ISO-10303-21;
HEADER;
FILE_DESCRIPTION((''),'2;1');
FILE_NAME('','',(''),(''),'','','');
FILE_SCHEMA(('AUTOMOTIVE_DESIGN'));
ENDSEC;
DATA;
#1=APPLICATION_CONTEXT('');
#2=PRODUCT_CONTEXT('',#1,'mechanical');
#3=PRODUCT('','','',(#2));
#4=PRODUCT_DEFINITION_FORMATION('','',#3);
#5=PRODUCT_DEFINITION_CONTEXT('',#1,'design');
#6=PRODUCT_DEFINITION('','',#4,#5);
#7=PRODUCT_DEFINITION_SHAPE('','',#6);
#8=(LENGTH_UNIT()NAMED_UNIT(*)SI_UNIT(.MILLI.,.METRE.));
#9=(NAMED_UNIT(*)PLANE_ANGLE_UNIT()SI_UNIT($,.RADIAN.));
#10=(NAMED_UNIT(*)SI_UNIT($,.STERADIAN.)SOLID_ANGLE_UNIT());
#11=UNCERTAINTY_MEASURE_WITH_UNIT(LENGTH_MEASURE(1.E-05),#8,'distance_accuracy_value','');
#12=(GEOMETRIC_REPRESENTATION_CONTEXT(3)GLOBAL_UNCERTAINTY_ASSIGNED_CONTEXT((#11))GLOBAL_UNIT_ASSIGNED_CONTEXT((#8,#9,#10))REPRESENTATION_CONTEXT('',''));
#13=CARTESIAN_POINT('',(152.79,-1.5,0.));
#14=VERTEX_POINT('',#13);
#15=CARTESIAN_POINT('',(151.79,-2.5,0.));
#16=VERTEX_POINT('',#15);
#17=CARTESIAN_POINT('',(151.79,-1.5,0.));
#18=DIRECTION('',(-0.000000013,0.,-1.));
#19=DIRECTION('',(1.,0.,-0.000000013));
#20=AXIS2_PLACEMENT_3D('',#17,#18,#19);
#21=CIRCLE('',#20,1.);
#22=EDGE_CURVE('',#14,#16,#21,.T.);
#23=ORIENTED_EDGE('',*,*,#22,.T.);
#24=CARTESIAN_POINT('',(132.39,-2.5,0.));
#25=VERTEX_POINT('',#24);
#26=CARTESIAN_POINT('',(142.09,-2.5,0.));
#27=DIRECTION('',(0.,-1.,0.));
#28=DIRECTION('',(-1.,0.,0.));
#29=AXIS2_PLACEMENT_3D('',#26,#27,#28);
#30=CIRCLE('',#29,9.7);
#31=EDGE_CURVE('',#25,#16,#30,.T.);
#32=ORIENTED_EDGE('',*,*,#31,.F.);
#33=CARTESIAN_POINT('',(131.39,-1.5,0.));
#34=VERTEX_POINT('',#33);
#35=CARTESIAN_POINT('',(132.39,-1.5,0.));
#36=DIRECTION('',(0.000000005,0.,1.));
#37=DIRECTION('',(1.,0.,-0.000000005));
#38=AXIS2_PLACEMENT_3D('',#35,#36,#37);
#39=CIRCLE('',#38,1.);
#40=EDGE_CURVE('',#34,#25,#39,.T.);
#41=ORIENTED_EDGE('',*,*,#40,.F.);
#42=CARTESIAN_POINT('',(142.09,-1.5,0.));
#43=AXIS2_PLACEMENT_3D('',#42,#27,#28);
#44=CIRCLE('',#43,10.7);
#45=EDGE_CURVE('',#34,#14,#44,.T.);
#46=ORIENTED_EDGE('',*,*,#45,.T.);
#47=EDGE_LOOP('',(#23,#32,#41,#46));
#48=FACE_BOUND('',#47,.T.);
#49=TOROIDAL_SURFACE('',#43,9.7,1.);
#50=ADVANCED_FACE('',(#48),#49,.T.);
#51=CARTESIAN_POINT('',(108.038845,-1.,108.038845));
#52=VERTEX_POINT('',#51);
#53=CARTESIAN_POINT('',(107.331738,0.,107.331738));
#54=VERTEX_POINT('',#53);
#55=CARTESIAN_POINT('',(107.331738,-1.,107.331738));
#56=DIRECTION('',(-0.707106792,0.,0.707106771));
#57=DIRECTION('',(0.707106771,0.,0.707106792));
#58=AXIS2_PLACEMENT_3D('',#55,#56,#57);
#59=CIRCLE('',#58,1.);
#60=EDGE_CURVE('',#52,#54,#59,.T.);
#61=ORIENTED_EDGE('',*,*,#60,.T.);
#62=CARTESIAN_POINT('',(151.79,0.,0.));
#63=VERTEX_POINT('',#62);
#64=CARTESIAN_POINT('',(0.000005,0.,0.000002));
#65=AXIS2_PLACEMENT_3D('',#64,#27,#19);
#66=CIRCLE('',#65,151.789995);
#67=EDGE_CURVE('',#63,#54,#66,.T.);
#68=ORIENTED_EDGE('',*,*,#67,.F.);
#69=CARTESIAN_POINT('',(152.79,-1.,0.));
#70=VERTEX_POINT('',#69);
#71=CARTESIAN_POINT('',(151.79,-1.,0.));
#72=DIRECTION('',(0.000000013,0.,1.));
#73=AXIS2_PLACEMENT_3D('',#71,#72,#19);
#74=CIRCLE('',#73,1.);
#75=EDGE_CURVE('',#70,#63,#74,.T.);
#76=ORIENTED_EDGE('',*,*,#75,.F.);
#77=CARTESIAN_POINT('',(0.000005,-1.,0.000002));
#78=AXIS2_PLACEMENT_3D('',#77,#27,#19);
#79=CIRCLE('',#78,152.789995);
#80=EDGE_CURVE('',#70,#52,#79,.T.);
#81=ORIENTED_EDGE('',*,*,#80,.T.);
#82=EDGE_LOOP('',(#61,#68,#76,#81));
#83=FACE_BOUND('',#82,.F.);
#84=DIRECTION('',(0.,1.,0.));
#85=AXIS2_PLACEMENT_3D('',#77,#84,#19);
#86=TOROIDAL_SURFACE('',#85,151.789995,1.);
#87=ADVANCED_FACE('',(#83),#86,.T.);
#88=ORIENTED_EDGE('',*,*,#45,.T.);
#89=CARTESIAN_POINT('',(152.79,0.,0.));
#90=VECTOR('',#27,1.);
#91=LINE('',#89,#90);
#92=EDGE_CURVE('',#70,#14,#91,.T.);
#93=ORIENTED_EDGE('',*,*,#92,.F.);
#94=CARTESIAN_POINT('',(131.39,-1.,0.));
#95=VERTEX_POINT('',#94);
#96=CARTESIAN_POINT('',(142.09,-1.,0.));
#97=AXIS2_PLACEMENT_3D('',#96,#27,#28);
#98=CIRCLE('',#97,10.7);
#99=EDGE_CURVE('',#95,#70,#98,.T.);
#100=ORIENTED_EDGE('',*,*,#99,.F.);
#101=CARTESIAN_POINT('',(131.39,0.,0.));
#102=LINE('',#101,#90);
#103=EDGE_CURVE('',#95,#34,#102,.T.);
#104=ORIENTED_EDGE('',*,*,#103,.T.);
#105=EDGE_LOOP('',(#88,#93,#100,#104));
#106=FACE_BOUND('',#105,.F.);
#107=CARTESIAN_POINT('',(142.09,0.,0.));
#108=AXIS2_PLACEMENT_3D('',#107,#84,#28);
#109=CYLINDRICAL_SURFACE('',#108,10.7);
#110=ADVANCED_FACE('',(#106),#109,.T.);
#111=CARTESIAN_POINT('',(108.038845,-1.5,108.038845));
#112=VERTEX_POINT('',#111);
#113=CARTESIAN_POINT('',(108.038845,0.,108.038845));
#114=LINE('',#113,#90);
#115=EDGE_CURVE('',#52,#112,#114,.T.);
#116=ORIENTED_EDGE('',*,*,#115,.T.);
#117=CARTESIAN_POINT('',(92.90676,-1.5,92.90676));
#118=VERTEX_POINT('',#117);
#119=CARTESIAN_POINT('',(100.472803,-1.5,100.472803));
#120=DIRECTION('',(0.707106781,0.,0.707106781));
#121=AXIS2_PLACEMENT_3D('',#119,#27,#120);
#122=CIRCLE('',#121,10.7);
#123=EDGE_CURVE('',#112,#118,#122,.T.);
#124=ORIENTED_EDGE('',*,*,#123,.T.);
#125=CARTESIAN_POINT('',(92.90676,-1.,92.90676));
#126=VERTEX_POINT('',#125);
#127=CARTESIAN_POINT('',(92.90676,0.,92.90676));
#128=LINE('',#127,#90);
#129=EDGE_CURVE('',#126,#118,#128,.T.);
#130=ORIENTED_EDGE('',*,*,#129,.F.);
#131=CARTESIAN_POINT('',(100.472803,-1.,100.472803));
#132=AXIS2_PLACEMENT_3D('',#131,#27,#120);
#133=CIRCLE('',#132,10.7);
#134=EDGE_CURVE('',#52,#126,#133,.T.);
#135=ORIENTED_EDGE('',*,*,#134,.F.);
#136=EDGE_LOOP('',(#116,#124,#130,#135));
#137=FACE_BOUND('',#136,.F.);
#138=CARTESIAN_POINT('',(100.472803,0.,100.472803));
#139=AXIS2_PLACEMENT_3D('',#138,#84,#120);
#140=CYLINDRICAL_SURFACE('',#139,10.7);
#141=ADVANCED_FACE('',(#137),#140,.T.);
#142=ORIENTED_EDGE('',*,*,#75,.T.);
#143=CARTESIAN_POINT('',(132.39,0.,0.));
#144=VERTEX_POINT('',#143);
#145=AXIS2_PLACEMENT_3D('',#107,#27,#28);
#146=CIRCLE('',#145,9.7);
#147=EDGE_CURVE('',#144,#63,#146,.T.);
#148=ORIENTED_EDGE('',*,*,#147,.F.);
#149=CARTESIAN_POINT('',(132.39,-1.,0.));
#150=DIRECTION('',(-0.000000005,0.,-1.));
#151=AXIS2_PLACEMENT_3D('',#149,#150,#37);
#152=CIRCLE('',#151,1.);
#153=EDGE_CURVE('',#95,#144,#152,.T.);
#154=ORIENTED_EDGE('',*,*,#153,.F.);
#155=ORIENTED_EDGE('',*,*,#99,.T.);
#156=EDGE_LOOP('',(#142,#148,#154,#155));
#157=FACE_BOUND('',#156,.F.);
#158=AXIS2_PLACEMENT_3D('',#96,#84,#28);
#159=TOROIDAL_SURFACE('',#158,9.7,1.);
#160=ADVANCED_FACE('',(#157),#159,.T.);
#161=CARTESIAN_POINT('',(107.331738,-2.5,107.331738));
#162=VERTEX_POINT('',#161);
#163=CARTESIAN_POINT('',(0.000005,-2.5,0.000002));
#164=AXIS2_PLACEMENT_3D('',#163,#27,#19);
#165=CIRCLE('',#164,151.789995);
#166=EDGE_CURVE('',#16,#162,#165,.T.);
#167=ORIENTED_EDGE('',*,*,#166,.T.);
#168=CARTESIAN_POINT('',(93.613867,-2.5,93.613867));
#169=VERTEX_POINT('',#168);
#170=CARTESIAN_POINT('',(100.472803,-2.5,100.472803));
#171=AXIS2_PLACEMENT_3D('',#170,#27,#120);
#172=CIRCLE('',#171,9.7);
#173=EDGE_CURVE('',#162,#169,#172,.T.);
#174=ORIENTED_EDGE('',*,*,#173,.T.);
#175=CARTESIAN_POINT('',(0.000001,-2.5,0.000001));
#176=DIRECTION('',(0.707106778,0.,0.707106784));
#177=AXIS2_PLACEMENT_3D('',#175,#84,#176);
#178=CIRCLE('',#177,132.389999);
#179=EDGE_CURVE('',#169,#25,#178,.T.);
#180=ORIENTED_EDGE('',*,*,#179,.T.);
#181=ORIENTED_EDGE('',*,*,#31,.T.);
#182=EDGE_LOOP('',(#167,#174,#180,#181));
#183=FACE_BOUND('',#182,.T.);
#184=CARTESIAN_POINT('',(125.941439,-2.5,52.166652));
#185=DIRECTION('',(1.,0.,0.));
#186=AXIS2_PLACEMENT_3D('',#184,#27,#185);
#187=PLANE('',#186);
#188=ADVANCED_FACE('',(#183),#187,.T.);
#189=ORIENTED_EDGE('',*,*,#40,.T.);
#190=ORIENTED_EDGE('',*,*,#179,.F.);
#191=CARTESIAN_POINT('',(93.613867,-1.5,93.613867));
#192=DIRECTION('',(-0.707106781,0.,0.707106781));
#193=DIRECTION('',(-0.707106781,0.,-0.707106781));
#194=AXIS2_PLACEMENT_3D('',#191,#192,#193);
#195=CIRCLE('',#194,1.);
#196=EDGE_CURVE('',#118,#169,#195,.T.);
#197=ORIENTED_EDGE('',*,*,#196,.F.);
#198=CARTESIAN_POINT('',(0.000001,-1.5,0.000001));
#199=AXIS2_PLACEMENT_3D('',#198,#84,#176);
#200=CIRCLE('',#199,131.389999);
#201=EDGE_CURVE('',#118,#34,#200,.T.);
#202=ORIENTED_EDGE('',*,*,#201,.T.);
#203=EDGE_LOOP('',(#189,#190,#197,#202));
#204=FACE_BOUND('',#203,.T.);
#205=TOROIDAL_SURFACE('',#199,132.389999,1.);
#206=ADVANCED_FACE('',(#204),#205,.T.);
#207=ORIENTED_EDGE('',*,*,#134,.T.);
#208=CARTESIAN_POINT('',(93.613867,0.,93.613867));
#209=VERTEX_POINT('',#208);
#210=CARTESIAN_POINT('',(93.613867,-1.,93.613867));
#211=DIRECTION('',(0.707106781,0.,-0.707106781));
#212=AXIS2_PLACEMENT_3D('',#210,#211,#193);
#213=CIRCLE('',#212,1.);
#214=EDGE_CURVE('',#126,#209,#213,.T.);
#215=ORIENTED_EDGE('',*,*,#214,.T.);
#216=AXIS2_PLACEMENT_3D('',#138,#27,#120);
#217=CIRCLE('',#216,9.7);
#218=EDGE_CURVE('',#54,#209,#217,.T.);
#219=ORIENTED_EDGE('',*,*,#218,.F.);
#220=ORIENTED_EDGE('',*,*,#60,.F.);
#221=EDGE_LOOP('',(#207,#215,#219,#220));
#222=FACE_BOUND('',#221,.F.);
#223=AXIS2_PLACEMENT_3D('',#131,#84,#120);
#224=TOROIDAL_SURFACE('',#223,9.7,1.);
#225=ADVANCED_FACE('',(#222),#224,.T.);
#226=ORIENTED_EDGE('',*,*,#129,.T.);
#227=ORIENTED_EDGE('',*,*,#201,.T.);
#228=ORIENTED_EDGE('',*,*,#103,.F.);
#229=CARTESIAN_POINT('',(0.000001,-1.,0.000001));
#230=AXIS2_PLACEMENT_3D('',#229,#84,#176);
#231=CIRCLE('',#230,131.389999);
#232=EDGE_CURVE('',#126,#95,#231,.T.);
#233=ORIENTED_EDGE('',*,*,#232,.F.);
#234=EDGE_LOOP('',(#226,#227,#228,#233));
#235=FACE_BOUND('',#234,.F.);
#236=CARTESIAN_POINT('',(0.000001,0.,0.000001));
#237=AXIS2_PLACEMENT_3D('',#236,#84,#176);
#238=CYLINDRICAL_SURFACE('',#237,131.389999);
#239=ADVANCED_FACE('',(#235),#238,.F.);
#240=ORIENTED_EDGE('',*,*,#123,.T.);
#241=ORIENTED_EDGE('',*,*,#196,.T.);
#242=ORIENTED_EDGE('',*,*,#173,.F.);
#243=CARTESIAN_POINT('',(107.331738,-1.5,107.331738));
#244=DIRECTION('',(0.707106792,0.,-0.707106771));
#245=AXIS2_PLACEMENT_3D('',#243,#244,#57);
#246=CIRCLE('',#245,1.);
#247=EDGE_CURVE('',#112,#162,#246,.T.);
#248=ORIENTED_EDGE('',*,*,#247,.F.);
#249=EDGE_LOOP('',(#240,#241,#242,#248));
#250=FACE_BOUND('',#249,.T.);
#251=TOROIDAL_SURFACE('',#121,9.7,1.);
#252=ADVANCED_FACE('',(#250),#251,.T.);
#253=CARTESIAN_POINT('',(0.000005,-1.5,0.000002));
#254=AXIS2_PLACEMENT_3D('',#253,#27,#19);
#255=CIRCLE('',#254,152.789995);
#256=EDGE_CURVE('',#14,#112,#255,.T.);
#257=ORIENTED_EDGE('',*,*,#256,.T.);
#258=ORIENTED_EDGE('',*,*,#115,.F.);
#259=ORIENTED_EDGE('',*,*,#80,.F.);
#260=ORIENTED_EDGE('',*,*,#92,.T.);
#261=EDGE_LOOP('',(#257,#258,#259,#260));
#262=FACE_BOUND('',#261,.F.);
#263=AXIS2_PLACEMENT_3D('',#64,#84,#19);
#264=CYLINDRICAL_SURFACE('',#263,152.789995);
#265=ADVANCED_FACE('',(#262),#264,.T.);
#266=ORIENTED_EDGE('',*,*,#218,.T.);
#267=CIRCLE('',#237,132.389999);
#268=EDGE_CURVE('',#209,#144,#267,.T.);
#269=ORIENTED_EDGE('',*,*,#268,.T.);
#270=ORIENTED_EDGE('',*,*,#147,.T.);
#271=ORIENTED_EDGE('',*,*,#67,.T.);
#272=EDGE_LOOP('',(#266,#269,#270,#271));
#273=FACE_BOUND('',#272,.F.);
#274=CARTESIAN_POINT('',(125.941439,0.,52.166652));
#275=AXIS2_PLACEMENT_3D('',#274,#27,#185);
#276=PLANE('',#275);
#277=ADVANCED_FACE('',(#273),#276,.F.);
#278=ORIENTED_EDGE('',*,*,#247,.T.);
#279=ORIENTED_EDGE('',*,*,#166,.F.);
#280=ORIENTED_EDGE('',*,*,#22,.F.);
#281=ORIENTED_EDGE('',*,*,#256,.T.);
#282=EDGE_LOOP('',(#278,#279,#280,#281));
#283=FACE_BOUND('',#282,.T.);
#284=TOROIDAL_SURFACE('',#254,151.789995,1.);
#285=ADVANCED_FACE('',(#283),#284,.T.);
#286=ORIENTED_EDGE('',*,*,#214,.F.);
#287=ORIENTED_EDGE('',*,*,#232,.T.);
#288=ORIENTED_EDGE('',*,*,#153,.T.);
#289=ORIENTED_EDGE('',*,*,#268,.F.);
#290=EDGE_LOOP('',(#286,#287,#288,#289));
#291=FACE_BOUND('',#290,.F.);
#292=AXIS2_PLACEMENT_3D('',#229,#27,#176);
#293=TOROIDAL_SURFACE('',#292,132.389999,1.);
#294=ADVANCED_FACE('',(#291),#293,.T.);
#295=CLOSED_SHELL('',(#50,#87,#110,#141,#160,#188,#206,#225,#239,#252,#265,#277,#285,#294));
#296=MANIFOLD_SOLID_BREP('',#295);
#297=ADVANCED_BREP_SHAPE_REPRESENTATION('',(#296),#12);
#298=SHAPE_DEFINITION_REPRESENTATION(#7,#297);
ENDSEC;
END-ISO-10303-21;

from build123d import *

# Parameters (mm, degrees)
F1_DEPTH = 2.5
F2_R     = 1


with BuildPart() as f1:
    # F0 (on Front) → F1 (new body)
    with BuildSketch(Plane.XZ):
        with BuildLine():
            ThreePointArc((131.39, 0), (142.09, -10.7), (152.79, 0))
            ThreePointArc((152.79, 0), (141.159554, 58.470202), (108.038845, 108.038845))
            ThreePointArc((108.038845, 108.038845), (92.90676, 108.038845), (92.90676, 92.90676))
            ThreePointArc((92.90676, 92.90676), (121.388532, 50.280776), (131.39, 0))
        make_face()
    extrude(amount=F1_DEPTH)

    # F2
    f2_edges = [f1.edges().sort_by_distance(p)[0] for p in [
        (141.159554, -2.5, 58.470202),
        (141.159554, 0, 58.470202),
    ]]
    fillet(f2_edges, radius=F2_R)


solid = f1.part
